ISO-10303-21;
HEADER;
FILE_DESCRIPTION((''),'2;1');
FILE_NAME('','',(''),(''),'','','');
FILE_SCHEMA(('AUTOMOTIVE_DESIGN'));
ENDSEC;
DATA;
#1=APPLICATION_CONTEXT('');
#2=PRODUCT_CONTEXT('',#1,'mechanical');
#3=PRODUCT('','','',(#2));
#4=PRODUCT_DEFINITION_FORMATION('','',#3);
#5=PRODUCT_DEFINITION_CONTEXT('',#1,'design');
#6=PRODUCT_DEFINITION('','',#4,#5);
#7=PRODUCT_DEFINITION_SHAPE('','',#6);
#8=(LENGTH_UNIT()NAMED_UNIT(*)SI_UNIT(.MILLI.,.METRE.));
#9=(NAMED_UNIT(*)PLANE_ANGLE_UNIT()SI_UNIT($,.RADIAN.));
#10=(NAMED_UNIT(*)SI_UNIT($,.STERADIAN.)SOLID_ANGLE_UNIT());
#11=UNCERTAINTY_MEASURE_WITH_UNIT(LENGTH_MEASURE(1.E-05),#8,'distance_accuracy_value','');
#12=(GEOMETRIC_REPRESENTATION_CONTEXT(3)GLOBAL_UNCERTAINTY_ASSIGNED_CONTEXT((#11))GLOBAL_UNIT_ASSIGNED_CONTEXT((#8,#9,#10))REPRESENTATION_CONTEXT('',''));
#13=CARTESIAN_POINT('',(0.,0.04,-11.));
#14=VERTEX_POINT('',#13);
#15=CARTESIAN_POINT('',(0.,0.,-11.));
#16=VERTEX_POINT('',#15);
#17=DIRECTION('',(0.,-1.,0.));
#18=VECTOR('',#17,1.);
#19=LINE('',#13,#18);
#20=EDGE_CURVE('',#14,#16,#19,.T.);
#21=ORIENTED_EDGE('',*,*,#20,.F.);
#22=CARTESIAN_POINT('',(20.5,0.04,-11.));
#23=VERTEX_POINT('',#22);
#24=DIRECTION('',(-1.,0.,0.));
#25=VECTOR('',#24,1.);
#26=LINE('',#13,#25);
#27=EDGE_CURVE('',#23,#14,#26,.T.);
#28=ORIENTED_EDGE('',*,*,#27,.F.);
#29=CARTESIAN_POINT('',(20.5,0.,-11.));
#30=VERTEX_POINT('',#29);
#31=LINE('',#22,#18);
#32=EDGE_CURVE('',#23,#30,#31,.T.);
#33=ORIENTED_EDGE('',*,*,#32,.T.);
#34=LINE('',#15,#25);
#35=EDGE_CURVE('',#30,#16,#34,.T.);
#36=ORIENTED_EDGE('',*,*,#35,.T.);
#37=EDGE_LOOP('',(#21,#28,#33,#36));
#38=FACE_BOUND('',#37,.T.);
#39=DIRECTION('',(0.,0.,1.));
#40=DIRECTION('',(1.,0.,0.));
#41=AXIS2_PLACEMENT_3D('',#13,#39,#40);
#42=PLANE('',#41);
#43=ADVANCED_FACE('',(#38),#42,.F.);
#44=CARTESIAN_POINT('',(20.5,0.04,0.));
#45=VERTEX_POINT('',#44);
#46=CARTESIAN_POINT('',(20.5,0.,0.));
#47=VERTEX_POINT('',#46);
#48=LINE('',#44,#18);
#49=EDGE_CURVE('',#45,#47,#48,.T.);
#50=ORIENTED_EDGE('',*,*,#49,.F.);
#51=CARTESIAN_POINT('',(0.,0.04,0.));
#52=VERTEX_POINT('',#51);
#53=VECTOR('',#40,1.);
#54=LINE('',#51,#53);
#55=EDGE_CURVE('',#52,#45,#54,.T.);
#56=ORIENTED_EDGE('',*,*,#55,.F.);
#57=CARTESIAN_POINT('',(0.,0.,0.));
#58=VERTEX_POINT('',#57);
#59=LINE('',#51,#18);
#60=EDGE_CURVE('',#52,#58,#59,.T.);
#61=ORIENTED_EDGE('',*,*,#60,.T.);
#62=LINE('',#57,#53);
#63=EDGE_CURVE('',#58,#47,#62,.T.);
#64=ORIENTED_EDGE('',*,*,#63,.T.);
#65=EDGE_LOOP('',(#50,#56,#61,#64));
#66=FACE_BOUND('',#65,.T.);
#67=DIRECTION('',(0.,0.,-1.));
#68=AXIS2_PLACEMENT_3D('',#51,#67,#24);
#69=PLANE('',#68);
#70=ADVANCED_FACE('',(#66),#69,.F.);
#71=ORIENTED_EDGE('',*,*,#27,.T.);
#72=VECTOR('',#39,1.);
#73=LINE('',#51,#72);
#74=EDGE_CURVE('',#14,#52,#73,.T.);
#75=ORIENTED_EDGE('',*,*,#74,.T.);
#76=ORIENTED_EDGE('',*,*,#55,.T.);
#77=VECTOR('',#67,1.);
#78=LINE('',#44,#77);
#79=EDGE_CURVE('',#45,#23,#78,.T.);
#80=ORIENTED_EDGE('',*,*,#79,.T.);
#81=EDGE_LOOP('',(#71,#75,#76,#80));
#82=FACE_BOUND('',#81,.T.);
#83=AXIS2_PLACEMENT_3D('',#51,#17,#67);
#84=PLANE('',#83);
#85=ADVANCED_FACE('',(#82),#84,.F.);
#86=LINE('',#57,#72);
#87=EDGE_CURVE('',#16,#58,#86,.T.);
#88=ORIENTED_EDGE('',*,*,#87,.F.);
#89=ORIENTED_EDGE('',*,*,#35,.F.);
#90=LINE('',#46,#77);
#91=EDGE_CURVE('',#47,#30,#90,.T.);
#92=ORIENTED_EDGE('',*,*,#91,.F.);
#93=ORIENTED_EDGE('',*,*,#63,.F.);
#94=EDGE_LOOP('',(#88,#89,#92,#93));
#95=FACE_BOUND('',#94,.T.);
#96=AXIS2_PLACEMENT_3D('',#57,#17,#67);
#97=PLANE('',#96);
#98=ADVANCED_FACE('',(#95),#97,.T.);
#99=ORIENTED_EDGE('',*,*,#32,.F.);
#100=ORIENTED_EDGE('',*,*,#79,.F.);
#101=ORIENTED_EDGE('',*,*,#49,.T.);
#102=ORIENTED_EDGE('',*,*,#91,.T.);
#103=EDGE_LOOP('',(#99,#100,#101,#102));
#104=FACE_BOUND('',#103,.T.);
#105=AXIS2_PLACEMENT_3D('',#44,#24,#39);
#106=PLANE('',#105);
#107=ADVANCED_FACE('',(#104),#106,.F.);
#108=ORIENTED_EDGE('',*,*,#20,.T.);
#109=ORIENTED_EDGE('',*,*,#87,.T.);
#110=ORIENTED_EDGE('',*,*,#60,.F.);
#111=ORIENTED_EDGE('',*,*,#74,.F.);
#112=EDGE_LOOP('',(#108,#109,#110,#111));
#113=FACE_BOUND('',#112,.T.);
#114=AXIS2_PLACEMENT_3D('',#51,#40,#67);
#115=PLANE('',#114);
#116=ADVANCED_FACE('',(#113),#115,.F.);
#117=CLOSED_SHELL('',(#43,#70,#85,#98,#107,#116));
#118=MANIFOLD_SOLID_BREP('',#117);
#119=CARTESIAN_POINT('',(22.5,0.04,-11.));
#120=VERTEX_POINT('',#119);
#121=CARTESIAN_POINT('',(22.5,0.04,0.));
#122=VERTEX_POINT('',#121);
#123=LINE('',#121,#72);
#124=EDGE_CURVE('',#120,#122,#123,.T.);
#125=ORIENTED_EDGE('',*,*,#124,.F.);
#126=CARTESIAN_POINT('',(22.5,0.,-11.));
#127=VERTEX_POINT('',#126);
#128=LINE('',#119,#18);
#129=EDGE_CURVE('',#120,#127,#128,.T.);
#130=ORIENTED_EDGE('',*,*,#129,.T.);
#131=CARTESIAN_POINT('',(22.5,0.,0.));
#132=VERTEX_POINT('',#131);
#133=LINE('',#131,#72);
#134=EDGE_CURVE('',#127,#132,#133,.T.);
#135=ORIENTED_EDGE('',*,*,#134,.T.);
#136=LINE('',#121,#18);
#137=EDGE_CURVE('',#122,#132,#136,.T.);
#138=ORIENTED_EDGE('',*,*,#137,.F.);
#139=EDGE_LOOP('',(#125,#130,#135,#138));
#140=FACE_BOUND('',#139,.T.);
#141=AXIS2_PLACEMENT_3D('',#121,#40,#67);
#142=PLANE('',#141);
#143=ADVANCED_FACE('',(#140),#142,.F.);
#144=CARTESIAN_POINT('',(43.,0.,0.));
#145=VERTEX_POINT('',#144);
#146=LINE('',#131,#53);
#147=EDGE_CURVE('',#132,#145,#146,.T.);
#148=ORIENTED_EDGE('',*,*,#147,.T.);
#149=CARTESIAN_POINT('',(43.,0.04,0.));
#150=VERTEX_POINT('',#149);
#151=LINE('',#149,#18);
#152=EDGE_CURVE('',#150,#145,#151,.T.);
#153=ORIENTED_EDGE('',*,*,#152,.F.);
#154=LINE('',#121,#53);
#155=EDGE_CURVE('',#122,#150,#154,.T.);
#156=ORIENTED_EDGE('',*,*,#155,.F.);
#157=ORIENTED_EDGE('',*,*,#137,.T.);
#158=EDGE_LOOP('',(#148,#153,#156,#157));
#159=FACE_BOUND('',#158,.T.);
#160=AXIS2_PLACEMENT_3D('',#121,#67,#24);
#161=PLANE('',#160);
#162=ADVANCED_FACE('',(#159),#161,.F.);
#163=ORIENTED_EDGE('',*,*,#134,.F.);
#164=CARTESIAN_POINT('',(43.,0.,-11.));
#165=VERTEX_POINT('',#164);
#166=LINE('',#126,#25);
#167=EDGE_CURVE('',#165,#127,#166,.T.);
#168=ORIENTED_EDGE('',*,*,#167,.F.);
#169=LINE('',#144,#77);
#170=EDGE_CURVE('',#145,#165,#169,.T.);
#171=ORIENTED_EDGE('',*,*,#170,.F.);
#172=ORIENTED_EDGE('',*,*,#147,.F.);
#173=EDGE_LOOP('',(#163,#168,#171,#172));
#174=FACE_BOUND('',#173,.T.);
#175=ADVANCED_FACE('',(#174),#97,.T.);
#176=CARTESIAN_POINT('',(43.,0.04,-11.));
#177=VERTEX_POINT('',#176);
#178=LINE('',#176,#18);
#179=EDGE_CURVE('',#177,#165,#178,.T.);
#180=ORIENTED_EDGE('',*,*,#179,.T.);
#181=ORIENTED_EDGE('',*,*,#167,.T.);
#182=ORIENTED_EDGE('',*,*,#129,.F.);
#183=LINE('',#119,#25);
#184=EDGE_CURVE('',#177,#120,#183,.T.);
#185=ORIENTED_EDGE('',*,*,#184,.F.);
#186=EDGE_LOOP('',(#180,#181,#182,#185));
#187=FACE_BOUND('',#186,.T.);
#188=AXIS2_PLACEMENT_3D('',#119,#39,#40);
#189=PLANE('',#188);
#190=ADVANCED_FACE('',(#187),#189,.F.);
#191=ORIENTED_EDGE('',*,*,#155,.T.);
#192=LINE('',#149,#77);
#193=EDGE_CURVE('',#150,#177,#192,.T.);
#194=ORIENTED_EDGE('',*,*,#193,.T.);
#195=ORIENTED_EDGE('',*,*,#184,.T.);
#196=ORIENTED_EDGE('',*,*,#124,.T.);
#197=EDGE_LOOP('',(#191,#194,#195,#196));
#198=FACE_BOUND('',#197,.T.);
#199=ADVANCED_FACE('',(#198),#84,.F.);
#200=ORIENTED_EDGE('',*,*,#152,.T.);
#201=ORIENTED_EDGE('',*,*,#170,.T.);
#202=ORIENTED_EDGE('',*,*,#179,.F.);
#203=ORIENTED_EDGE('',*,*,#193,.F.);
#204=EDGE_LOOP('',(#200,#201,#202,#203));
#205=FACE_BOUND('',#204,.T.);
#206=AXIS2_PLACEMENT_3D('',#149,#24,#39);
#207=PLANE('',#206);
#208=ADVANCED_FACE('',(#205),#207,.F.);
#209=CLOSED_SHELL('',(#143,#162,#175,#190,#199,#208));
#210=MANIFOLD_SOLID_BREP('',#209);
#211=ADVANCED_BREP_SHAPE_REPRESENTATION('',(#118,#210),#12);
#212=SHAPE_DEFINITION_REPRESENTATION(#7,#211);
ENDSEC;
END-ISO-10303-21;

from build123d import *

# Parameters (mm, degrees)
SKETCH_1_W        = 20.5
SKETCH_1_H        = 11
EXTRUDE_1_DEPTH   = 0.04
EXTRUDE_1_2_DEPTH = 0.04


with BuildPart() as part:
    # Эскиз1 → Бобышка-Вытянуть1 (new body)
    with BuildSketch(Plane(origin=(0, 0, 0), x_dir=(1, 0, 0), z_dir=(0, 1, 0))):
        with Locations((10.25, 5.5)):
            Rectangle(SKETCH_1_W, SKETCH_1_H)
    extrude(amount=EXTRUDE_1_DEPTH)


with BuildPart() as body_2:
    # Эскиз1 → Extrude 1 2 (new body)
    with BuildSketch(Plane(origin=(0, 0, 0), x_dir=(1, 0, 0), z_dir=(0, 1, 0))):
        with Locations((32.75, 5.5)):
            Rectangle(SKETCH_1_W, SKETCH_1_H)
    extrude(amount=EXTRUDE_1_2_DEPTH)


solid = Compound([part.part, body_2.part])
